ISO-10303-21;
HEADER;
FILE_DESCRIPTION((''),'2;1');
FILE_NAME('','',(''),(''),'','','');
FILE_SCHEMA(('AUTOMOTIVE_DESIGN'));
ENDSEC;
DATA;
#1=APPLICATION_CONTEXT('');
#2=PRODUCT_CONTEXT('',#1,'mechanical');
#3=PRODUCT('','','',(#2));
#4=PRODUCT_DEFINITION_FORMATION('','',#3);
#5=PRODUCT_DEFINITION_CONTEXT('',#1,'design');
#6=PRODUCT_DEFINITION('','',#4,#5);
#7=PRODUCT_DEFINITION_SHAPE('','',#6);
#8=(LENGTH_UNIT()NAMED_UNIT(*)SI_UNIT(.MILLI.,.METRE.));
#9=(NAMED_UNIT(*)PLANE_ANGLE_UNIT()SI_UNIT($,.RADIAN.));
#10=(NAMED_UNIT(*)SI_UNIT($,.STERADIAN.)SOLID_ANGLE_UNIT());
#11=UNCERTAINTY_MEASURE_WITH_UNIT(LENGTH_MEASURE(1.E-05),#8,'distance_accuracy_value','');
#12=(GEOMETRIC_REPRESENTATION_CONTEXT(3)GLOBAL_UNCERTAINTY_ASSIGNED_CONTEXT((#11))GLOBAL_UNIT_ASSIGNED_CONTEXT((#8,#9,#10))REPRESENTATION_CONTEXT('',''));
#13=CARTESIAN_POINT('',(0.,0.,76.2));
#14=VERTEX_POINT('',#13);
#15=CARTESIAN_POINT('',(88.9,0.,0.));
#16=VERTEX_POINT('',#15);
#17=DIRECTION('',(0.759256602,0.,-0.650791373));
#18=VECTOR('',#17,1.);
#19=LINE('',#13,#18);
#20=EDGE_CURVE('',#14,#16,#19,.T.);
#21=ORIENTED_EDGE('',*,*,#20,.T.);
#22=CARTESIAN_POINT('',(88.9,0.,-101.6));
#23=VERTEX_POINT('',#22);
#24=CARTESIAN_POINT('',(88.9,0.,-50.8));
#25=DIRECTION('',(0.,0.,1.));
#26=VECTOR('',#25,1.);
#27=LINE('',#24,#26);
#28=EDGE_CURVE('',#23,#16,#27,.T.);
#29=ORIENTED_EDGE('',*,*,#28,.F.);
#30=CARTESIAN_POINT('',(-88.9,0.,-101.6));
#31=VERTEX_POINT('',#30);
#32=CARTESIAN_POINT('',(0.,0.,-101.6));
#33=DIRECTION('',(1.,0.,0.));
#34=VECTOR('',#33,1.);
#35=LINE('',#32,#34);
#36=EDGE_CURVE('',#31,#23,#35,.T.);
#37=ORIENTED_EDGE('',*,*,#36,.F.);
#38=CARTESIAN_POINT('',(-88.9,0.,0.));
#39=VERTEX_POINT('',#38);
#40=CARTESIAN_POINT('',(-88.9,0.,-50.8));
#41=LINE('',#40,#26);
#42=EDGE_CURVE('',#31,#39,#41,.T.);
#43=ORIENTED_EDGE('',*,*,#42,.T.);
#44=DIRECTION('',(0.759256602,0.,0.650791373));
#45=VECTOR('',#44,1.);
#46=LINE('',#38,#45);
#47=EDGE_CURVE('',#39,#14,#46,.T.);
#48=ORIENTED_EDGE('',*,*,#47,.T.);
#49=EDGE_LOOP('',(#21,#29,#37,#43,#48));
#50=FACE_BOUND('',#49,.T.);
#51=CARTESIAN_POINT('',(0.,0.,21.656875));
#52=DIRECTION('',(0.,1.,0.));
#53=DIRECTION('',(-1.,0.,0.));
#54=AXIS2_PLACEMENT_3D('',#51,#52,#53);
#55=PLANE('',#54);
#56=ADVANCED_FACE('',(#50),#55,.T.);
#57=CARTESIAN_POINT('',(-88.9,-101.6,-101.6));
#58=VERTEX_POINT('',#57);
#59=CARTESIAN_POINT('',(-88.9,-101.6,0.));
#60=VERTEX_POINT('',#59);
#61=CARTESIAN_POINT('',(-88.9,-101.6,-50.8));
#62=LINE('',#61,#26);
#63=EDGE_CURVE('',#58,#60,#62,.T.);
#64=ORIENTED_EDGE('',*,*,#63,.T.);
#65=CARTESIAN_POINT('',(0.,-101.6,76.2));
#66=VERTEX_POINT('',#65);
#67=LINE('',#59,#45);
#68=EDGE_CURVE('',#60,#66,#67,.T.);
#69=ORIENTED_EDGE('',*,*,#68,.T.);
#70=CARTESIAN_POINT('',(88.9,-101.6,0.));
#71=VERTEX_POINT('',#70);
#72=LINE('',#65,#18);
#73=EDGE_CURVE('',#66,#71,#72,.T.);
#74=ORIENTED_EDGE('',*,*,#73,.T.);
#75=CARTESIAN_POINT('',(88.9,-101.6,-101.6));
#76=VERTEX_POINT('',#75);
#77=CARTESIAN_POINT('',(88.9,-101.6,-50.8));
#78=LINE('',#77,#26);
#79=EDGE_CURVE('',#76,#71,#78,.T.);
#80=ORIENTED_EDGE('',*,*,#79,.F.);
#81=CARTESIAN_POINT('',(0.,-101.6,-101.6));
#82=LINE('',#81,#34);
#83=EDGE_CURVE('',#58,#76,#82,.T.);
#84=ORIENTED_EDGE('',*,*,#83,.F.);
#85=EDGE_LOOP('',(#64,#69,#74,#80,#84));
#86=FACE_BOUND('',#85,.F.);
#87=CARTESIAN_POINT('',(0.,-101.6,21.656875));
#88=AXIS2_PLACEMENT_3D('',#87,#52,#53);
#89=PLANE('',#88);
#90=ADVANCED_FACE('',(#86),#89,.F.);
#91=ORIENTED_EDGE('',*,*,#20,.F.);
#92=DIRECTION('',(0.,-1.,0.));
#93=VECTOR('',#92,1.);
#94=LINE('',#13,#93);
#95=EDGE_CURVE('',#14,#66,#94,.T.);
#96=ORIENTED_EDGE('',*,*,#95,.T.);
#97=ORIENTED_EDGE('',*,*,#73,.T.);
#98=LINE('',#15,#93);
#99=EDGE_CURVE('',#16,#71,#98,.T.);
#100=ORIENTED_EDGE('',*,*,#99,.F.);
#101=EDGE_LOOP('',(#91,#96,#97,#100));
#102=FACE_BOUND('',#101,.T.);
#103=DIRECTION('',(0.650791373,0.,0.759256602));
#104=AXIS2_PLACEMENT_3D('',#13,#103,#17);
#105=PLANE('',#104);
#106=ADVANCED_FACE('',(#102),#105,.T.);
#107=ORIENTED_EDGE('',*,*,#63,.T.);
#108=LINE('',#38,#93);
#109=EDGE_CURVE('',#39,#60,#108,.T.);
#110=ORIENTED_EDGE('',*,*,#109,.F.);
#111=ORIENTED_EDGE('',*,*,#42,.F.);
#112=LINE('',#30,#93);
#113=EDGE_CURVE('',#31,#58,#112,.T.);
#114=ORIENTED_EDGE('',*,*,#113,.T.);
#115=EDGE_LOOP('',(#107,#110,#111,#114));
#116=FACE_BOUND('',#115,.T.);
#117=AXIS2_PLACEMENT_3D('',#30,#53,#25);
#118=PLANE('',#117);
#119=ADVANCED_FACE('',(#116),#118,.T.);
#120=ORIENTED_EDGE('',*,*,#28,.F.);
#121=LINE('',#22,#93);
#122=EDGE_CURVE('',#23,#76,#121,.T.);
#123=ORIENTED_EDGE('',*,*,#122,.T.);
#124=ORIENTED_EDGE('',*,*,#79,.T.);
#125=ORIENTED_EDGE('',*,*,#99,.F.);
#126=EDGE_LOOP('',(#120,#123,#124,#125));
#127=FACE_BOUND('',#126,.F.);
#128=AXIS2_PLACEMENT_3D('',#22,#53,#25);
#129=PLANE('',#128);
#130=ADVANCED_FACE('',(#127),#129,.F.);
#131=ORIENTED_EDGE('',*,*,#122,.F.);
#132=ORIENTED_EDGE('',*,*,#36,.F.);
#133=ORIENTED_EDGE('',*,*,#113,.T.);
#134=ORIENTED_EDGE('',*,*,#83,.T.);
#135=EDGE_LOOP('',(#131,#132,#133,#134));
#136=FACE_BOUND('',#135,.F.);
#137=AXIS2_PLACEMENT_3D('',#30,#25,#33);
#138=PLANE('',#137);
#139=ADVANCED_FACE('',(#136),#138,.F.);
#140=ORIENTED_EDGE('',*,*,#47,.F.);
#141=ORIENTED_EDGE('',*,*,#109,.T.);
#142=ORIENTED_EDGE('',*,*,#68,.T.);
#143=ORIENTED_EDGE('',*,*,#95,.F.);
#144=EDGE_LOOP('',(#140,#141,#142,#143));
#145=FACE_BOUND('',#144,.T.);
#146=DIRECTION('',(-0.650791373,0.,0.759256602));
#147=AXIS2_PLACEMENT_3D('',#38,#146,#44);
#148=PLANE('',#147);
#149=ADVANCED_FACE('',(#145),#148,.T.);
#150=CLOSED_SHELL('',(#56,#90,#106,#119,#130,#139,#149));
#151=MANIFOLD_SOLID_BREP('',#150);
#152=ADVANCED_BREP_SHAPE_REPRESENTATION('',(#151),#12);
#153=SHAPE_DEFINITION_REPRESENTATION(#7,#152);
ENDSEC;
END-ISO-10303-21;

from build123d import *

# Parameters (mm, degrees)
F0_W     = 177.8
F0_H     = 101.6
F1_DEPTH = 101.6
F3_DEPTH = 101.6


with BuildPart() as f1:
    # F0 (on Front) → F1 (new body)
    with BuildSketch(Plane.XZ):
        with Locations((0, -50.8)):
            Rectangle(F0_W, F0_H)
    extrude(amount=F1_DEPTH)

    # F2 (on face) → F3 (join, through all)
    with BuildSketch(Plane(origin=(0, 0, 0), x_dir=(-1, 0, 0), z_dir=(0, 1, 0))):
        Polygon((-88.9, 0), (88.9, 0), (0, 76.2), align=None)
    extrude(amount=-F3_DEPTH)


solid = f1.part
